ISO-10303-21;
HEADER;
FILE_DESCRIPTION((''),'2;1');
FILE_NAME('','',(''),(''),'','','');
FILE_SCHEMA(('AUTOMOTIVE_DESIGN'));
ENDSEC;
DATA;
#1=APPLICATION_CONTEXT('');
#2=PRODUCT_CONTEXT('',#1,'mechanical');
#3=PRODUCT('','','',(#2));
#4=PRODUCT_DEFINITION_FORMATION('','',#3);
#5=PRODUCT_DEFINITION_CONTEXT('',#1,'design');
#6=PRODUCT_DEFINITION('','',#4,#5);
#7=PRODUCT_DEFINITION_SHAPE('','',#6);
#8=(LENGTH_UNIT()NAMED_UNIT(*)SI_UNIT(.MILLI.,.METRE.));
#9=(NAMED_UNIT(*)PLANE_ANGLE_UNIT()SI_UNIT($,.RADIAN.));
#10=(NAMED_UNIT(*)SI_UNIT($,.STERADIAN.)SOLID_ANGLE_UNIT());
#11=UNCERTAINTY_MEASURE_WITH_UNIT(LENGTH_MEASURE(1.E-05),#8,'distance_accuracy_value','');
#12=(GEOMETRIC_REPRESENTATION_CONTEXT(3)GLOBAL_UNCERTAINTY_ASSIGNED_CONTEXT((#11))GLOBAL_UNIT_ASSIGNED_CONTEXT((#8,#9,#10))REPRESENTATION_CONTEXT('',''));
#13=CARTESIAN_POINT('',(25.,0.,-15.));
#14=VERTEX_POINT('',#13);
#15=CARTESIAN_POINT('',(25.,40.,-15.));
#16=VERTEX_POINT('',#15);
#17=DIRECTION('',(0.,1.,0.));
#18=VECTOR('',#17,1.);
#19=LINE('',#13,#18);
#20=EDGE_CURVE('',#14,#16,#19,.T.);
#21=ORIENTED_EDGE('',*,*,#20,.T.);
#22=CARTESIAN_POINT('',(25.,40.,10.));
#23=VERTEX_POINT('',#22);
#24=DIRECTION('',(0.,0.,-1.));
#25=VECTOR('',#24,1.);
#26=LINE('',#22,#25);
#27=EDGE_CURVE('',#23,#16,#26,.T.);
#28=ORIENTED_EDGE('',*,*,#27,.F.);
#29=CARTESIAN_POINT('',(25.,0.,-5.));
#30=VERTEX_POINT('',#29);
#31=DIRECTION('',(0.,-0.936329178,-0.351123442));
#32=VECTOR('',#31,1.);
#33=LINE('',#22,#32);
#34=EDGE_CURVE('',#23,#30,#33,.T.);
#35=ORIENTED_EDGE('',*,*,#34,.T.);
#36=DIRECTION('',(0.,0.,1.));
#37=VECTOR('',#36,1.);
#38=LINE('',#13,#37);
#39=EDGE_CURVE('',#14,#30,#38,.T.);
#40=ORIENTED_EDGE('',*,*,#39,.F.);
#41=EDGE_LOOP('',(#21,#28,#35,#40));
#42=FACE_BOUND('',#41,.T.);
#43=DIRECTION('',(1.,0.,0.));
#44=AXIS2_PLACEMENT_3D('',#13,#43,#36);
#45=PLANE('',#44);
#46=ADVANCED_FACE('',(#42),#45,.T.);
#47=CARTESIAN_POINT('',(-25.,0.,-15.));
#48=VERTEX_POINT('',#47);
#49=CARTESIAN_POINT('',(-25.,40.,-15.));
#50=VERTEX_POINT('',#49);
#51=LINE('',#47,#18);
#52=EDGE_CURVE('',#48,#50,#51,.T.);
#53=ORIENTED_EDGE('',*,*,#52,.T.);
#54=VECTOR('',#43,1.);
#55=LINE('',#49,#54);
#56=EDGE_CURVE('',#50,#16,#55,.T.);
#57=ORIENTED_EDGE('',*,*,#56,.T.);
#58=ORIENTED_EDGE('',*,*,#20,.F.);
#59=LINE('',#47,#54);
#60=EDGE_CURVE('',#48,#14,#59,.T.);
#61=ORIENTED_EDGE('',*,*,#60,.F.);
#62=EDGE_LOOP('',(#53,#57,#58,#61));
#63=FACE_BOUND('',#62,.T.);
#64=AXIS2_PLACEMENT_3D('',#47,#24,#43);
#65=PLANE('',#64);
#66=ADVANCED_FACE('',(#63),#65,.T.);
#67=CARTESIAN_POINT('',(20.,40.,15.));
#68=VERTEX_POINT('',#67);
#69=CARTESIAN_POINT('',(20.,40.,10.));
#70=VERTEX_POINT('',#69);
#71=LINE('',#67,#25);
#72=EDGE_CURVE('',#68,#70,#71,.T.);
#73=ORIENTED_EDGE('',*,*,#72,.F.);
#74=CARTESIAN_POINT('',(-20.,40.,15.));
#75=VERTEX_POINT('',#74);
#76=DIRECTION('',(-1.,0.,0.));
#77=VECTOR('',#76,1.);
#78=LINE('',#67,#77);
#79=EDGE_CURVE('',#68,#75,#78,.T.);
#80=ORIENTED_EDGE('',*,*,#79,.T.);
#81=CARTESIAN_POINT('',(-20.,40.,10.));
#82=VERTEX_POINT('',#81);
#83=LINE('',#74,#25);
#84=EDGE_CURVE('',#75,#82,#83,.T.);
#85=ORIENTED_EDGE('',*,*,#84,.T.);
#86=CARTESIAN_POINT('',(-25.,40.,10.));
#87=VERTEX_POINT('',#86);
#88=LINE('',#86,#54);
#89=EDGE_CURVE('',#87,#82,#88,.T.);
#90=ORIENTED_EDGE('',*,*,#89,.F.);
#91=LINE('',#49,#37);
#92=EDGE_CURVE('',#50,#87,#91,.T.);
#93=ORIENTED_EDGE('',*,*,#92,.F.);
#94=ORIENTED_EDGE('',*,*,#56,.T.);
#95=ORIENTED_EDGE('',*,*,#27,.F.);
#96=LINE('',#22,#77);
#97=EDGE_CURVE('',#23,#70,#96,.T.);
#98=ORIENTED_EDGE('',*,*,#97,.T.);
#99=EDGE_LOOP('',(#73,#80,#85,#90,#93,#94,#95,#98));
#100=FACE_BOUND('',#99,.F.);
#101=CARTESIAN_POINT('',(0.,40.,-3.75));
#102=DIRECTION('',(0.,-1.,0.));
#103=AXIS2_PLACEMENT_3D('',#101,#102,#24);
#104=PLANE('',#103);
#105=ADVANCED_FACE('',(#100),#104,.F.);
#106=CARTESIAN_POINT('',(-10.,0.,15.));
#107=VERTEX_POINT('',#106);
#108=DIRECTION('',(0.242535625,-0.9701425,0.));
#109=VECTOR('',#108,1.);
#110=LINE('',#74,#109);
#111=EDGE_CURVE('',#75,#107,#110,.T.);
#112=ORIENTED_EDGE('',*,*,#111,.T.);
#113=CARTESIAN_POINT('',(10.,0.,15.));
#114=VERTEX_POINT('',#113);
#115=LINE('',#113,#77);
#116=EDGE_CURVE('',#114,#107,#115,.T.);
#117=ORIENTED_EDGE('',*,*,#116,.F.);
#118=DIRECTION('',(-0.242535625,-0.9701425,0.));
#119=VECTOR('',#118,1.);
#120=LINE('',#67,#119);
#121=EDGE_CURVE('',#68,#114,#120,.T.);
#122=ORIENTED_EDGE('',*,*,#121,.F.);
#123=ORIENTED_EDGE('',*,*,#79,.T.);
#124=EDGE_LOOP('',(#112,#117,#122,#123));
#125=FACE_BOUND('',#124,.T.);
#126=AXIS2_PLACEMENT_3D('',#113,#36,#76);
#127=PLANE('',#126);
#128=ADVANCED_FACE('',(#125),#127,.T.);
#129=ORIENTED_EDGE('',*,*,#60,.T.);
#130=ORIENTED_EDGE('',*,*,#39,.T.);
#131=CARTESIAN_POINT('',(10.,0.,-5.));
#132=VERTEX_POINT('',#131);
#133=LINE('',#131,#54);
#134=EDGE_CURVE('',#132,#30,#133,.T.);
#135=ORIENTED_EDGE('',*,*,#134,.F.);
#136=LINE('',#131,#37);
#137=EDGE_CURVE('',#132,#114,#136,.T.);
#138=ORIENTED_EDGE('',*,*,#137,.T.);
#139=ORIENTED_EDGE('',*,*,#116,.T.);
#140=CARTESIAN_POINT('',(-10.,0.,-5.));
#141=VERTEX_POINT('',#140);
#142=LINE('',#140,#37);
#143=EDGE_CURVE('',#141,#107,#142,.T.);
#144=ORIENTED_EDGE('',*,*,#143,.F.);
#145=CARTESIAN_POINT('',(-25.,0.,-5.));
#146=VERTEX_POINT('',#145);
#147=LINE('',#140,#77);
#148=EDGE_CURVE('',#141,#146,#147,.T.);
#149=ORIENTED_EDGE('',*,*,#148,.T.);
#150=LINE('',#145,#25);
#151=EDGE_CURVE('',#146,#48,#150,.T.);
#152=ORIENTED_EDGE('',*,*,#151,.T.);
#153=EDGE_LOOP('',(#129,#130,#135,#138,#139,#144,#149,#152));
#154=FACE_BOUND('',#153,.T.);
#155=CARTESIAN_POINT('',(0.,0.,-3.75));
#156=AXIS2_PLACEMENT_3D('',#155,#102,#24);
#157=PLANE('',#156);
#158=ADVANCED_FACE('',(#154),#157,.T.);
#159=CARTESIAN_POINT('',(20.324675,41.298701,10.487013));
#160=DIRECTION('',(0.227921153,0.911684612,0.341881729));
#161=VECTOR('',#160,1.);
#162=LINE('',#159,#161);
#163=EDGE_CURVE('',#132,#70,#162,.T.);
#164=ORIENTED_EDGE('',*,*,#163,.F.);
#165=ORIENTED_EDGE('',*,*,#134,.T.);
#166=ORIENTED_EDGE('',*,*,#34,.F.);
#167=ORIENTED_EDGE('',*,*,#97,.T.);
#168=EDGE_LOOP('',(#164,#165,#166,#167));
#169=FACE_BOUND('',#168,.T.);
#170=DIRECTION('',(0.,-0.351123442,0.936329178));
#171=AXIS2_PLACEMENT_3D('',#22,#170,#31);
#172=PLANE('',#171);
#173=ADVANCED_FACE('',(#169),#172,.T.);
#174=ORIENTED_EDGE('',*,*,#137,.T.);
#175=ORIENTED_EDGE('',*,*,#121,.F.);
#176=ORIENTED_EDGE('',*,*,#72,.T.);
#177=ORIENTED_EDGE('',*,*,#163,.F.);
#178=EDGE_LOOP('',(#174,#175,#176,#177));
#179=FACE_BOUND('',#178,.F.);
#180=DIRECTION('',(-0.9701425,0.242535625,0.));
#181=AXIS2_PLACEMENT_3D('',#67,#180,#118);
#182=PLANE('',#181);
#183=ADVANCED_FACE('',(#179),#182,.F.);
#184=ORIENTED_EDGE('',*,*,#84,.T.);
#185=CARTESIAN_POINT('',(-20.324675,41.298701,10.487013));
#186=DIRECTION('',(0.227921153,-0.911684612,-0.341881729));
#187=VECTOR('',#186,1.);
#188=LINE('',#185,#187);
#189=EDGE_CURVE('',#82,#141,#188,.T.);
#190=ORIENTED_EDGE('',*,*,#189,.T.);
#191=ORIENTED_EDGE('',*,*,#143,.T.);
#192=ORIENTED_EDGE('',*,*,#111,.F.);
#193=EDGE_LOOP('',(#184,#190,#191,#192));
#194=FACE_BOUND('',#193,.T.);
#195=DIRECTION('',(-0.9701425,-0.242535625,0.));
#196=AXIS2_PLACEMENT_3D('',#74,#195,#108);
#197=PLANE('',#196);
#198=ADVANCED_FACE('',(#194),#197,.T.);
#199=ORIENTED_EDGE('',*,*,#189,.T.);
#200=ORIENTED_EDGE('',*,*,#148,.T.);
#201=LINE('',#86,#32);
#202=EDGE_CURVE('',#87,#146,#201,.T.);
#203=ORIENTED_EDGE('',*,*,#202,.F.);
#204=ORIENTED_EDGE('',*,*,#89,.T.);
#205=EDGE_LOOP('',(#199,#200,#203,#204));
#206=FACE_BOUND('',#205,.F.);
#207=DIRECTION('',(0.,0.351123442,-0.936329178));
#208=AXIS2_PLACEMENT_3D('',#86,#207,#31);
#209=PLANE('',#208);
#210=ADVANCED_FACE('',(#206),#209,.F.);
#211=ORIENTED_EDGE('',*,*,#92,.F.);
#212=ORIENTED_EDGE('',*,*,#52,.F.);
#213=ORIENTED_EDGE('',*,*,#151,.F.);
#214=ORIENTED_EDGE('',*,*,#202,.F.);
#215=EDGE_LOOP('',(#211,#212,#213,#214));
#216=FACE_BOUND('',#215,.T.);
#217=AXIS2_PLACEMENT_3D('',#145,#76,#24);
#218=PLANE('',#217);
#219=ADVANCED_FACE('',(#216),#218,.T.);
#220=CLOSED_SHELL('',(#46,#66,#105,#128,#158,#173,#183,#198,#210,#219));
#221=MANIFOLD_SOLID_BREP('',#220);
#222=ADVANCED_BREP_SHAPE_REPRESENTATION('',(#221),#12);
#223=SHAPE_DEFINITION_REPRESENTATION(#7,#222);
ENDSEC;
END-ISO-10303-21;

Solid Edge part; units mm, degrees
sketch "Sketch1" plane through (0, 0, 0) normal (0, -1, 0) x (1, 0, 0)
  line L0 (10, 15) -> (-10, 15)
  line L1 (-10, -5) -> (-10, 15)
  line L2 (-10, -5) -> (-25, -5)
  line L3 (-25, -5) -> (-25, -15)
  line L4 (-25, -15) -> (25, -15)
  line L5 (25, -15) -> (25, -5)
  line L6 (10, -5) -> (25, -5)
  line L7 (10, -5) -> (10, 15)
extrude "Protrusion1" add sketch "Sketch1" against normal blind 40
sketch "Sketch2" plane through (25, 20, -10) normal (1, 0, 0) x (0, 1, 0)
  line L0 (20, 20) -> (-20, 5)
  line L1 (-20, 5) -> (20, 5)
  line L2 (20, 5) -> (20, 20)
extrude "ExtrudedProtrusion_3" add sketch "Sketch2" against normal blind 15
sketch "Sketch3" plane through (-25, 20, -10) normal (-1, 0, 0) x (0, -1, 0)
  line L0 (-20, 20) -> (20, 5)
  line L1 (20, 5) -> (-20, 5)
  line L2 (-20, 5) -> (-20, 20)
extrude "ExtrudedProtrusion_5" add sketch "Sketch3" against normal blind 15
sketch "Sketch4" plane through (0, 20, 15) normal (0, 0, 1) x (0, -1, 0)
  line L0 (-20, -20) -> (20, -10)
  line L1 (-20, -10) -> (-20, -20)
extrude "ExtrudedProtrusion_6" add sketch "Sketch4" against normal blind 20 material side at (-14.9515, 20.0121, 15)
sketch "Sketch5" plane through (0, 20, 15) normal (0, 0, 1) x (0, -1, 0)
  line L0 (-20, 20) -> (20, 10)
  line L1 (-20, 10) -> (-20, 20)
extrude "ExtrudedProtrusion_7" add sketch "Sketch5" against normal blind 20 material side at (14.9515, 20.0121, 15)
